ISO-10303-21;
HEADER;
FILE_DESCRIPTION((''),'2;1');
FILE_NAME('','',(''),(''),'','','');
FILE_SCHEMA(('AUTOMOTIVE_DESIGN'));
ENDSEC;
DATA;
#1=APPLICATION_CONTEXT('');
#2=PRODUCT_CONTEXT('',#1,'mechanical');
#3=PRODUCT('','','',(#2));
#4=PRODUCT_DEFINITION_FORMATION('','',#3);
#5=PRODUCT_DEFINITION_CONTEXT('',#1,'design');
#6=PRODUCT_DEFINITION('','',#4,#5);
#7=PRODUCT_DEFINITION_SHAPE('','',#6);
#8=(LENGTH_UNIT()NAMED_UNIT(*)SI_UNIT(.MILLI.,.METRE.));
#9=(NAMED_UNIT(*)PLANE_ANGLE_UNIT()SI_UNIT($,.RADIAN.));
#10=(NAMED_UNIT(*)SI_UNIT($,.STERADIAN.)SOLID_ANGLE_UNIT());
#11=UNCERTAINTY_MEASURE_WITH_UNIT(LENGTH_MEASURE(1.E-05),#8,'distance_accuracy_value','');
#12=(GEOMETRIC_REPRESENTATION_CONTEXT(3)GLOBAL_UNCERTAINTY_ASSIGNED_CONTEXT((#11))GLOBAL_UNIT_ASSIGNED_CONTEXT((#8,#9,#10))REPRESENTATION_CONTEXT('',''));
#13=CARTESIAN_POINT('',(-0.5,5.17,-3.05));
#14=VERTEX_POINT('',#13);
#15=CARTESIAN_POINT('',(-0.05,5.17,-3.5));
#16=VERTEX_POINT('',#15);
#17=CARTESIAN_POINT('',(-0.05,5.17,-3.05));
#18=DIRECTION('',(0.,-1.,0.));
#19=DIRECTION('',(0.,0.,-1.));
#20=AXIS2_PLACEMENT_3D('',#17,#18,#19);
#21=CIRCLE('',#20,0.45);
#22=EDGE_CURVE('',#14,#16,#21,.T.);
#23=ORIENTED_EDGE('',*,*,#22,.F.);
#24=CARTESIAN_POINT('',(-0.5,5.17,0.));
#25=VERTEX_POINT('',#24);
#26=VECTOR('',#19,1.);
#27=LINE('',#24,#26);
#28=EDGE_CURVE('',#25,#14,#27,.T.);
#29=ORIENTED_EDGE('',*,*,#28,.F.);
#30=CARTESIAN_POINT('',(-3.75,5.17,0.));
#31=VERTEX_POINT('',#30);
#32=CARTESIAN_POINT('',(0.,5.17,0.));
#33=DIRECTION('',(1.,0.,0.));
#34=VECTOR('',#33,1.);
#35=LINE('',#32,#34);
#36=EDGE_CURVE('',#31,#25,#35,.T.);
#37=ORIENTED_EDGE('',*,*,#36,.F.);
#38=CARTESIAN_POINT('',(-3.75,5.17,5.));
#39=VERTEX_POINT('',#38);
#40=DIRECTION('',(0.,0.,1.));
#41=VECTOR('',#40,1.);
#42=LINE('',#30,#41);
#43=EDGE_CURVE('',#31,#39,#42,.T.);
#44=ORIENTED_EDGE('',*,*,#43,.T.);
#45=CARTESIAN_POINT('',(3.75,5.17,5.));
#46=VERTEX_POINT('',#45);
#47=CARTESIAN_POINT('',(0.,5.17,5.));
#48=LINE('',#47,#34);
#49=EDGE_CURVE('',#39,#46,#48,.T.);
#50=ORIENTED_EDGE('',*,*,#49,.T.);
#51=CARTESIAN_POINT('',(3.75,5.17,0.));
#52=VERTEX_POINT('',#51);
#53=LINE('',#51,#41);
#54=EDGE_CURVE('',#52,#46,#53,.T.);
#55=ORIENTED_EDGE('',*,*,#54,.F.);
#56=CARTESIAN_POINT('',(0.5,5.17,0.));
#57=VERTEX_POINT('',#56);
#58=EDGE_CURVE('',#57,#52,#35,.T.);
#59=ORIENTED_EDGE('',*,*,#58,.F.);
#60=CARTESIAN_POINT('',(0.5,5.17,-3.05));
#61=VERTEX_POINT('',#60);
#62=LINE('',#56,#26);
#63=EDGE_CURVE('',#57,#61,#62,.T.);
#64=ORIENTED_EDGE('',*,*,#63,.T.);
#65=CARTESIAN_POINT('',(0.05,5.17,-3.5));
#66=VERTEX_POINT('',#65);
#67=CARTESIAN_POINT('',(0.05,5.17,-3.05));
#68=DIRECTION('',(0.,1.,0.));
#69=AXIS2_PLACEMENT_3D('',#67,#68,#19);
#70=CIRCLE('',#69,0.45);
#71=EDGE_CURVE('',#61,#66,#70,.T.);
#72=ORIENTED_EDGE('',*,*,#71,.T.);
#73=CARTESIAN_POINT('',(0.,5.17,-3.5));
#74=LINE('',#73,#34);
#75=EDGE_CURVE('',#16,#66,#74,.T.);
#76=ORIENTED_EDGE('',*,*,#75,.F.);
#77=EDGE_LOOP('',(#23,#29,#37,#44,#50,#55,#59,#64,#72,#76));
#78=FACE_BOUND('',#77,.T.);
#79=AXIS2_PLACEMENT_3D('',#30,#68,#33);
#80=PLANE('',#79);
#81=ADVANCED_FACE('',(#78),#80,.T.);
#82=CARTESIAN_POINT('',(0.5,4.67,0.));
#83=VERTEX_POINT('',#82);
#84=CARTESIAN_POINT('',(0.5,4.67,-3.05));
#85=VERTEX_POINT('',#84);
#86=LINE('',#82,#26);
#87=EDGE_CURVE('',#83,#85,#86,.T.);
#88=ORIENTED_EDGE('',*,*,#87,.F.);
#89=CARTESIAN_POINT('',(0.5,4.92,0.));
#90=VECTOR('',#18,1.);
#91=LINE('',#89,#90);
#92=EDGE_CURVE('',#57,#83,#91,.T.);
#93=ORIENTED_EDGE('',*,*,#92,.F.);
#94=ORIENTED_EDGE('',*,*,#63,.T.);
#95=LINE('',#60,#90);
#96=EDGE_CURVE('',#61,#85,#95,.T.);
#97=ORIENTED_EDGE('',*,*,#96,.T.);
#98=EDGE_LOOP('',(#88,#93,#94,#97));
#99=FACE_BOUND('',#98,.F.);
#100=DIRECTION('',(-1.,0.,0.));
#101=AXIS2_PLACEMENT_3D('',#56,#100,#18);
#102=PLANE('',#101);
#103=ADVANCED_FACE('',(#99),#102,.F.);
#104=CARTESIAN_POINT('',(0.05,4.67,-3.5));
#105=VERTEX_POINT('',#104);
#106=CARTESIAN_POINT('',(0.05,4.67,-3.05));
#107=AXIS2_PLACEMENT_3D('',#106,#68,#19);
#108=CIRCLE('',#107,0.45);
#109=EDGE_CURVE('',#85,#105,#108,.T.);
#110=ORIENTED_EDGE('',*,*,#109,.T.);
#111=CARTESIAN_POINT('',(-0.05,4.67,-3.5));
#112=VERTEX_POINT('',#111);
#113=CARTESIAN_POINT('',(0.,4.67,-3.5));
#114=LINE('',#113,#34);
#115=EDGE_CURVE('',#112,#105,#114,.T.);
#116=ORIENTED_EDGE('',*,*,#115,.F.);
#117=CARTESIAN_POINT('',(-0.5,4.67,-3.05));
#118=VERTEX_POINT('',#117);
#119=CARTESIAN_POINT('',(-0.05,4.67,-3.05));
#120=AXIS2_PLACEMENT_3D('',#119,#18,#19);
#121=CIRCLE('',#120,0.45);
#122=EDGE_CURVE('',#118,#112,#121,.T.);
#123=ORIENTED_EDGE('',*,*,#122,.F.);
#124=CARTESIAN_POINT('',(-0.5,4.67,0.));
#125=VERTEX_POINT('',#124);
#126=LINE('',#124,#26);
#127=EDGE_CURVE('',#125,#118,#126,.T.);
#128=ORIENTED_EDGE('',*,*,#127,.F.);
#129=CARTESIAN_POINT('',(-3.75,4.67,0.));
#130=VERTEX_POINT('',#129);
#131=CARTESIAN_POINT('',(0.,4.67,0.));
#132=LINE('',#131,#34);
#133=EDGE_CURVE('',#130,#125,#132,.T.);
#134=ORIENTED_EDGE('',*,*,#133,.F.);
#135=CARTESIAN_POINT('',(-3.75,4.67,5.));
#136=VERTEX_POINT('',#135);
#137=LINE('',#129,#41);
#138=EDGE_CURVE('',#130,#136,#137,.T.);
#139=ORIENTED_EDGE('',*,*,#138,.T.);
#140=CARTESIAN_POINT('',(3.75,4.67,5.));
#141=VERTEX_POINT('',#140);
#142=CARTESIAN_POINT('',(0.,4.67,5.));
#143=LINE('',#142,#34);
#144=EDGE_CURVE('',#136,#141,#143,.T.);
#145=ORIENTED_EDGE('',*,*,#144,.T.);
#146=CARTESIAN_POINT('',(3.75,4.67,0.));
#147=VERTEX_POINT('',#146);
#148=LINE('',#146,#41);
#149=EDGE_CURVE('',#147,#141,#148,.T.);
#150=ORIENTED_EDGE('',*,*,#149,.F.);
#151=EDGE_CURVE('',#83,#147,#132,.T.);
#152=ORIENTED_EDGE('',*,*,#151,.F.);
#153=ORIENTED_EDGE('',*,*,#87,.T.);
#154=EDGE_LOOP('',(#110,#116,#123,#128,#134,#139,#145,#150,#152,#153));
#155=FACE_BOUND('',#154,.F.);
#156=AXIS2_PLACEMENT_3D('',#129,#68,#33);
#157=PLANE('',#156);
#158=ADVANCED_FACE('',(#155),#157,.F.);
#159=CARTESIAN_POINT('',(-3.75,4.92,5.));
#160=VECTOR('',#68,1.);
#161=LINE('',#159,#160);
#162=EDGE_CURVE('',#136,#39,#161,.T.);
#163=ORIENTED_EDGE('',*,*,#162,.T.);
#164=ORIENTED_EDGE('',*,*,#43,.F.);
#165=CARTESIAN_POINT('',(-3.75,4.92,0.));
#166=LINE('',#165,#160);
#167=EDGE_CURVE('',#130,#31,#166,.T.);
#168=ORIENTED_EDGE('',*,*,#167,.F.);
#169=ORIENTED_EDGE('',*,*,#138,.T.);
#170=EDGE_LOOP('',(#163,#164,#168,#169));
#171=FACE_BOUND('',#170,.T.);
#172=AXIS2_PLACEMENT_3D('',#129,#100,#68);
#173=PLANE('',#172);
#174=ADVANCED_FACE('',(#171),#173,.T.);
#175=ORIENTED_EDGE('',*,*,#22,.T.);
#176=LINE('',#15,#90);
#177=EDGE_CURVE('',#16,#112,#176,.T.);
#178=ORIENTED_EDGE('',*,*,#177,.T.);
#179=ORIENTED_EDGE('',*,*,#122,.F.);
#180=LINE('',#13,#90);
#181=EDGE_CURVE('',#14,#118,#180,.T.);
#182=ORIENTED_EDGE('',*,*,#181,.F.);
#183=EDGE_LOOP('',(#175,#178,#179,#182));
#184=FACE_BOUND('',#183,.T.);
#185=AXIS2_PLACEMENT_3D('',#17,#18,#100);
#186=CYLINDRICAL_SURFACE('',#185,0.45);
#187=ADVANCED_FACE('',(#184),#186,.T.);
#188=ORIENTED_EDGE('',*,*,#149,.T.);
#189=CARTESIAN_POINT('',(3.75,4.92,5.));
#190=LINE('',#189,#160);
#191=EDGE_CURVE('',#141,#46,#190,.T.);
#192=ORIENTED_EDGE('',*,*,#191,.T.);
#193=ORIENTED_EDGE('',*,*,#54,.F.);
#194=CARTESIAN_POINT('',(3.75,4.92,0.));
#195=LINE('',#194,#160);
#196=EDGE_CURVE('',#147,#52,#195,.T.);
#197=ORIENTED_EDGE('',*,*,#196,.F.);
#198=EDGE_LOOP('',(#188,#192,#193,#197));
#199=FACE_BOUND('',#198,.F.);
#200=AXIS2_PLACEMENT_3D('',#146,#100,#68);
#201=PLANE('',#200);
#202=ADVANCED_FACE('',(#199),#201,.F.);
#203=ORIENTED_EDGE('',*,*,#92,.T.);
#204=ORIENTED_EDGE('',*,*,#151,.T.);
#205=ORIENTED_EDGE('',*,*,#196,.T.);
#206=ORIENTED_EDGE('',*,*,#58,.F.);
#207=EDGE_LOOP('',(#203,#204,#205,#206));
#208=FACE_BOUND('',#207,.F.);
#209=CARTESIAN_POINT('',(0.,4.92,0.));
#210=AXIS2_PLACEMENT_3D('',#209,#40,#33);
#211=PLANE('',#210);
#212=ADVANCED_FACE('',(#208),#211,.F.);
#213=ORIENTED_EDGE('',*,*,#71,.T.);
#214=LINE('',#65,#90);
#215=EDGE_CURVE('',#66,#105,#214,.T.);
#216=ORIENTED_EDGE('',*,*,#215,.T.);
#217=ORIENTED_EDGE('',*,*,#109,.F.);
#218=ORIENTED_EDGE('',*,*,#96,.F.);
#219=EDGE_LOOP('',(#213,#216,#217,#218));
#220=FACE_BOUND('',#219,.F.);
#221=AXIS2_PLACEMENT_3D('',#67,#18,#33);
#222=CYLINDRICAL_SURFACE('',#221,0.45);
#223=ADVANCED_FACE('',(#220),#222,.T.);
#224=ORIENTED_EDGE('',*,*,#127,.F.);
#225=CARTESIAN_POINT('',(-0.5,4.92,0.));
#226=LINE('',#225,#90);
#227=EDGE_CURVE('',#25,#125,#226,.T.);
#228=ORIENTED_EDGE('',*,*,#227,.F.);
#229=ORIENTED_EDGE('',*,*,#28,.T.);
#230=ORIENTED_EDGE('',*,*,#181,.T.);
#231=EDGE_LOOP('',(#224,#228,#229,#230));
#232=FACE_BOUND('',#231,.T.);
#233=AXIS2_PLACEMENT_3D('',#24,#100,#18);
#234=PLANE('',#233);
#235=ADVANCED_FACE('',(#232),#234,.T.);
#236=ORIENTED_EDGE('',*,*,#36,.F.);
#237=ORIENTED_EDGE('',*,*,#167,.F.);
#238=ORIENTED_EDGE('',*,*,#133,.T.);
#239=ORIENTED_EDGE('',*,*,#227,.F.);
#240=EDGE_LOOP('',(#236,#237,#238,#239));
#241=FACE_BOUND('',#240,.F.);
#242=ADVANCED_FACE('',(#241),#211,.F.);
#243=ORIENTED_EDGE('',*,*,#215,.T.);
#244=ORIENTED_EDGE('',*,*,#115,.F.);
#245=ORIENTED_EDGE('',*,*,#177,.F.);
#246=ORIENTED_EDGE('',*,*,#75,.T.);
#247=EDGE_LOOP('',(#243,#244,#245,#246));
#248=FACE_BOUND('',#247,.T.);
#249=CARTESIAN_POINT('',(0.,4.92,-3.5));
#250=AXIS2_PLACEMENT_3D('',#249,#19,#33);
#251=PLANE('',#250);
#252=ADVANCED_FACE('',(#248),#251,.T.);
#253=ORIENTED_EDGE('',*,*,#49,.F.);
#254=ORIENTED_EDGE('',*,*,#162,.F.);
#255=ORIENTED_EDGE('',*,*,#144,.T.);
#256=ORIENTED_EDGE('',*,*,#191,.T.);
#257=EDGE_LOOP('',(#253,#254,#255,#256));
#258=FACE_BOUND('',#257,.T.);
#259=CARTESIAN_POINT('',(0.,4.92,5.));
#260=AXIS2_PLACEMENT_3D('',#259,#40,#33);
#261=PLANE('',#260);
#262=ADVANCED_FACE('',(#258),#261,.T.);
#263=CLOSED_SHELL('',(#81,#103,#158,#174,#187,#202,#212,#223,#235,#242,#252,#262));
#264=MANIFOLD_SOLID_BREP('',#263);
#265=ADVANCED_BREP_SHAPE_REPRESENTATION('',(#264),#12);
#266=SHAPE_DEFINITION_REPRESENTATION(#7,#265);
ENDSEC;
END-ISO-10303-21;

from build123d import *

# Parameters (mm, degrees)
SKETCH027_W  = 7.5
SKETCH027_H  = 0.5
PAD011_DEPTH = 5
SKETCH028_W  = 1
SKETCH028_H  = 0.5
PAD012_DEPTH = 3.5
FILLET006_R  = 0.45


with BuildPart() as part:
    # Sketch027 → Pad011 (new body)
    with BuildSketch(Plane.XY):
        with Locations((0, 4.92)):
            Rectangle(SKETCH027_W, SKETCH027_H)
    extrude(amount=PAD011_DEPTH)

    # Sketch028 (on Face5 of Pad011) → Pad012 (join)
    with BuildSketch(Plane(origin=(0, 0, 0), x_dir=(1, 0, 0), z_dir=(0, 0, -1))):
        with Locations((0, -4.92)):
            Rectangle(SKETCH028_W, SKETCH028_H)
    extrude(amount=PAD012_DEPTH)

    # Fillet006
    fillet006_edges = [part.edges().sort_by_distance(p)[0] for p in [
        (0.5, 4.92, -3.5),
        (-0.5, 4.92, -3.5),
    ]]
    fillet(fillet006_edges, radius=FILLET006_R)


solid = part.part
